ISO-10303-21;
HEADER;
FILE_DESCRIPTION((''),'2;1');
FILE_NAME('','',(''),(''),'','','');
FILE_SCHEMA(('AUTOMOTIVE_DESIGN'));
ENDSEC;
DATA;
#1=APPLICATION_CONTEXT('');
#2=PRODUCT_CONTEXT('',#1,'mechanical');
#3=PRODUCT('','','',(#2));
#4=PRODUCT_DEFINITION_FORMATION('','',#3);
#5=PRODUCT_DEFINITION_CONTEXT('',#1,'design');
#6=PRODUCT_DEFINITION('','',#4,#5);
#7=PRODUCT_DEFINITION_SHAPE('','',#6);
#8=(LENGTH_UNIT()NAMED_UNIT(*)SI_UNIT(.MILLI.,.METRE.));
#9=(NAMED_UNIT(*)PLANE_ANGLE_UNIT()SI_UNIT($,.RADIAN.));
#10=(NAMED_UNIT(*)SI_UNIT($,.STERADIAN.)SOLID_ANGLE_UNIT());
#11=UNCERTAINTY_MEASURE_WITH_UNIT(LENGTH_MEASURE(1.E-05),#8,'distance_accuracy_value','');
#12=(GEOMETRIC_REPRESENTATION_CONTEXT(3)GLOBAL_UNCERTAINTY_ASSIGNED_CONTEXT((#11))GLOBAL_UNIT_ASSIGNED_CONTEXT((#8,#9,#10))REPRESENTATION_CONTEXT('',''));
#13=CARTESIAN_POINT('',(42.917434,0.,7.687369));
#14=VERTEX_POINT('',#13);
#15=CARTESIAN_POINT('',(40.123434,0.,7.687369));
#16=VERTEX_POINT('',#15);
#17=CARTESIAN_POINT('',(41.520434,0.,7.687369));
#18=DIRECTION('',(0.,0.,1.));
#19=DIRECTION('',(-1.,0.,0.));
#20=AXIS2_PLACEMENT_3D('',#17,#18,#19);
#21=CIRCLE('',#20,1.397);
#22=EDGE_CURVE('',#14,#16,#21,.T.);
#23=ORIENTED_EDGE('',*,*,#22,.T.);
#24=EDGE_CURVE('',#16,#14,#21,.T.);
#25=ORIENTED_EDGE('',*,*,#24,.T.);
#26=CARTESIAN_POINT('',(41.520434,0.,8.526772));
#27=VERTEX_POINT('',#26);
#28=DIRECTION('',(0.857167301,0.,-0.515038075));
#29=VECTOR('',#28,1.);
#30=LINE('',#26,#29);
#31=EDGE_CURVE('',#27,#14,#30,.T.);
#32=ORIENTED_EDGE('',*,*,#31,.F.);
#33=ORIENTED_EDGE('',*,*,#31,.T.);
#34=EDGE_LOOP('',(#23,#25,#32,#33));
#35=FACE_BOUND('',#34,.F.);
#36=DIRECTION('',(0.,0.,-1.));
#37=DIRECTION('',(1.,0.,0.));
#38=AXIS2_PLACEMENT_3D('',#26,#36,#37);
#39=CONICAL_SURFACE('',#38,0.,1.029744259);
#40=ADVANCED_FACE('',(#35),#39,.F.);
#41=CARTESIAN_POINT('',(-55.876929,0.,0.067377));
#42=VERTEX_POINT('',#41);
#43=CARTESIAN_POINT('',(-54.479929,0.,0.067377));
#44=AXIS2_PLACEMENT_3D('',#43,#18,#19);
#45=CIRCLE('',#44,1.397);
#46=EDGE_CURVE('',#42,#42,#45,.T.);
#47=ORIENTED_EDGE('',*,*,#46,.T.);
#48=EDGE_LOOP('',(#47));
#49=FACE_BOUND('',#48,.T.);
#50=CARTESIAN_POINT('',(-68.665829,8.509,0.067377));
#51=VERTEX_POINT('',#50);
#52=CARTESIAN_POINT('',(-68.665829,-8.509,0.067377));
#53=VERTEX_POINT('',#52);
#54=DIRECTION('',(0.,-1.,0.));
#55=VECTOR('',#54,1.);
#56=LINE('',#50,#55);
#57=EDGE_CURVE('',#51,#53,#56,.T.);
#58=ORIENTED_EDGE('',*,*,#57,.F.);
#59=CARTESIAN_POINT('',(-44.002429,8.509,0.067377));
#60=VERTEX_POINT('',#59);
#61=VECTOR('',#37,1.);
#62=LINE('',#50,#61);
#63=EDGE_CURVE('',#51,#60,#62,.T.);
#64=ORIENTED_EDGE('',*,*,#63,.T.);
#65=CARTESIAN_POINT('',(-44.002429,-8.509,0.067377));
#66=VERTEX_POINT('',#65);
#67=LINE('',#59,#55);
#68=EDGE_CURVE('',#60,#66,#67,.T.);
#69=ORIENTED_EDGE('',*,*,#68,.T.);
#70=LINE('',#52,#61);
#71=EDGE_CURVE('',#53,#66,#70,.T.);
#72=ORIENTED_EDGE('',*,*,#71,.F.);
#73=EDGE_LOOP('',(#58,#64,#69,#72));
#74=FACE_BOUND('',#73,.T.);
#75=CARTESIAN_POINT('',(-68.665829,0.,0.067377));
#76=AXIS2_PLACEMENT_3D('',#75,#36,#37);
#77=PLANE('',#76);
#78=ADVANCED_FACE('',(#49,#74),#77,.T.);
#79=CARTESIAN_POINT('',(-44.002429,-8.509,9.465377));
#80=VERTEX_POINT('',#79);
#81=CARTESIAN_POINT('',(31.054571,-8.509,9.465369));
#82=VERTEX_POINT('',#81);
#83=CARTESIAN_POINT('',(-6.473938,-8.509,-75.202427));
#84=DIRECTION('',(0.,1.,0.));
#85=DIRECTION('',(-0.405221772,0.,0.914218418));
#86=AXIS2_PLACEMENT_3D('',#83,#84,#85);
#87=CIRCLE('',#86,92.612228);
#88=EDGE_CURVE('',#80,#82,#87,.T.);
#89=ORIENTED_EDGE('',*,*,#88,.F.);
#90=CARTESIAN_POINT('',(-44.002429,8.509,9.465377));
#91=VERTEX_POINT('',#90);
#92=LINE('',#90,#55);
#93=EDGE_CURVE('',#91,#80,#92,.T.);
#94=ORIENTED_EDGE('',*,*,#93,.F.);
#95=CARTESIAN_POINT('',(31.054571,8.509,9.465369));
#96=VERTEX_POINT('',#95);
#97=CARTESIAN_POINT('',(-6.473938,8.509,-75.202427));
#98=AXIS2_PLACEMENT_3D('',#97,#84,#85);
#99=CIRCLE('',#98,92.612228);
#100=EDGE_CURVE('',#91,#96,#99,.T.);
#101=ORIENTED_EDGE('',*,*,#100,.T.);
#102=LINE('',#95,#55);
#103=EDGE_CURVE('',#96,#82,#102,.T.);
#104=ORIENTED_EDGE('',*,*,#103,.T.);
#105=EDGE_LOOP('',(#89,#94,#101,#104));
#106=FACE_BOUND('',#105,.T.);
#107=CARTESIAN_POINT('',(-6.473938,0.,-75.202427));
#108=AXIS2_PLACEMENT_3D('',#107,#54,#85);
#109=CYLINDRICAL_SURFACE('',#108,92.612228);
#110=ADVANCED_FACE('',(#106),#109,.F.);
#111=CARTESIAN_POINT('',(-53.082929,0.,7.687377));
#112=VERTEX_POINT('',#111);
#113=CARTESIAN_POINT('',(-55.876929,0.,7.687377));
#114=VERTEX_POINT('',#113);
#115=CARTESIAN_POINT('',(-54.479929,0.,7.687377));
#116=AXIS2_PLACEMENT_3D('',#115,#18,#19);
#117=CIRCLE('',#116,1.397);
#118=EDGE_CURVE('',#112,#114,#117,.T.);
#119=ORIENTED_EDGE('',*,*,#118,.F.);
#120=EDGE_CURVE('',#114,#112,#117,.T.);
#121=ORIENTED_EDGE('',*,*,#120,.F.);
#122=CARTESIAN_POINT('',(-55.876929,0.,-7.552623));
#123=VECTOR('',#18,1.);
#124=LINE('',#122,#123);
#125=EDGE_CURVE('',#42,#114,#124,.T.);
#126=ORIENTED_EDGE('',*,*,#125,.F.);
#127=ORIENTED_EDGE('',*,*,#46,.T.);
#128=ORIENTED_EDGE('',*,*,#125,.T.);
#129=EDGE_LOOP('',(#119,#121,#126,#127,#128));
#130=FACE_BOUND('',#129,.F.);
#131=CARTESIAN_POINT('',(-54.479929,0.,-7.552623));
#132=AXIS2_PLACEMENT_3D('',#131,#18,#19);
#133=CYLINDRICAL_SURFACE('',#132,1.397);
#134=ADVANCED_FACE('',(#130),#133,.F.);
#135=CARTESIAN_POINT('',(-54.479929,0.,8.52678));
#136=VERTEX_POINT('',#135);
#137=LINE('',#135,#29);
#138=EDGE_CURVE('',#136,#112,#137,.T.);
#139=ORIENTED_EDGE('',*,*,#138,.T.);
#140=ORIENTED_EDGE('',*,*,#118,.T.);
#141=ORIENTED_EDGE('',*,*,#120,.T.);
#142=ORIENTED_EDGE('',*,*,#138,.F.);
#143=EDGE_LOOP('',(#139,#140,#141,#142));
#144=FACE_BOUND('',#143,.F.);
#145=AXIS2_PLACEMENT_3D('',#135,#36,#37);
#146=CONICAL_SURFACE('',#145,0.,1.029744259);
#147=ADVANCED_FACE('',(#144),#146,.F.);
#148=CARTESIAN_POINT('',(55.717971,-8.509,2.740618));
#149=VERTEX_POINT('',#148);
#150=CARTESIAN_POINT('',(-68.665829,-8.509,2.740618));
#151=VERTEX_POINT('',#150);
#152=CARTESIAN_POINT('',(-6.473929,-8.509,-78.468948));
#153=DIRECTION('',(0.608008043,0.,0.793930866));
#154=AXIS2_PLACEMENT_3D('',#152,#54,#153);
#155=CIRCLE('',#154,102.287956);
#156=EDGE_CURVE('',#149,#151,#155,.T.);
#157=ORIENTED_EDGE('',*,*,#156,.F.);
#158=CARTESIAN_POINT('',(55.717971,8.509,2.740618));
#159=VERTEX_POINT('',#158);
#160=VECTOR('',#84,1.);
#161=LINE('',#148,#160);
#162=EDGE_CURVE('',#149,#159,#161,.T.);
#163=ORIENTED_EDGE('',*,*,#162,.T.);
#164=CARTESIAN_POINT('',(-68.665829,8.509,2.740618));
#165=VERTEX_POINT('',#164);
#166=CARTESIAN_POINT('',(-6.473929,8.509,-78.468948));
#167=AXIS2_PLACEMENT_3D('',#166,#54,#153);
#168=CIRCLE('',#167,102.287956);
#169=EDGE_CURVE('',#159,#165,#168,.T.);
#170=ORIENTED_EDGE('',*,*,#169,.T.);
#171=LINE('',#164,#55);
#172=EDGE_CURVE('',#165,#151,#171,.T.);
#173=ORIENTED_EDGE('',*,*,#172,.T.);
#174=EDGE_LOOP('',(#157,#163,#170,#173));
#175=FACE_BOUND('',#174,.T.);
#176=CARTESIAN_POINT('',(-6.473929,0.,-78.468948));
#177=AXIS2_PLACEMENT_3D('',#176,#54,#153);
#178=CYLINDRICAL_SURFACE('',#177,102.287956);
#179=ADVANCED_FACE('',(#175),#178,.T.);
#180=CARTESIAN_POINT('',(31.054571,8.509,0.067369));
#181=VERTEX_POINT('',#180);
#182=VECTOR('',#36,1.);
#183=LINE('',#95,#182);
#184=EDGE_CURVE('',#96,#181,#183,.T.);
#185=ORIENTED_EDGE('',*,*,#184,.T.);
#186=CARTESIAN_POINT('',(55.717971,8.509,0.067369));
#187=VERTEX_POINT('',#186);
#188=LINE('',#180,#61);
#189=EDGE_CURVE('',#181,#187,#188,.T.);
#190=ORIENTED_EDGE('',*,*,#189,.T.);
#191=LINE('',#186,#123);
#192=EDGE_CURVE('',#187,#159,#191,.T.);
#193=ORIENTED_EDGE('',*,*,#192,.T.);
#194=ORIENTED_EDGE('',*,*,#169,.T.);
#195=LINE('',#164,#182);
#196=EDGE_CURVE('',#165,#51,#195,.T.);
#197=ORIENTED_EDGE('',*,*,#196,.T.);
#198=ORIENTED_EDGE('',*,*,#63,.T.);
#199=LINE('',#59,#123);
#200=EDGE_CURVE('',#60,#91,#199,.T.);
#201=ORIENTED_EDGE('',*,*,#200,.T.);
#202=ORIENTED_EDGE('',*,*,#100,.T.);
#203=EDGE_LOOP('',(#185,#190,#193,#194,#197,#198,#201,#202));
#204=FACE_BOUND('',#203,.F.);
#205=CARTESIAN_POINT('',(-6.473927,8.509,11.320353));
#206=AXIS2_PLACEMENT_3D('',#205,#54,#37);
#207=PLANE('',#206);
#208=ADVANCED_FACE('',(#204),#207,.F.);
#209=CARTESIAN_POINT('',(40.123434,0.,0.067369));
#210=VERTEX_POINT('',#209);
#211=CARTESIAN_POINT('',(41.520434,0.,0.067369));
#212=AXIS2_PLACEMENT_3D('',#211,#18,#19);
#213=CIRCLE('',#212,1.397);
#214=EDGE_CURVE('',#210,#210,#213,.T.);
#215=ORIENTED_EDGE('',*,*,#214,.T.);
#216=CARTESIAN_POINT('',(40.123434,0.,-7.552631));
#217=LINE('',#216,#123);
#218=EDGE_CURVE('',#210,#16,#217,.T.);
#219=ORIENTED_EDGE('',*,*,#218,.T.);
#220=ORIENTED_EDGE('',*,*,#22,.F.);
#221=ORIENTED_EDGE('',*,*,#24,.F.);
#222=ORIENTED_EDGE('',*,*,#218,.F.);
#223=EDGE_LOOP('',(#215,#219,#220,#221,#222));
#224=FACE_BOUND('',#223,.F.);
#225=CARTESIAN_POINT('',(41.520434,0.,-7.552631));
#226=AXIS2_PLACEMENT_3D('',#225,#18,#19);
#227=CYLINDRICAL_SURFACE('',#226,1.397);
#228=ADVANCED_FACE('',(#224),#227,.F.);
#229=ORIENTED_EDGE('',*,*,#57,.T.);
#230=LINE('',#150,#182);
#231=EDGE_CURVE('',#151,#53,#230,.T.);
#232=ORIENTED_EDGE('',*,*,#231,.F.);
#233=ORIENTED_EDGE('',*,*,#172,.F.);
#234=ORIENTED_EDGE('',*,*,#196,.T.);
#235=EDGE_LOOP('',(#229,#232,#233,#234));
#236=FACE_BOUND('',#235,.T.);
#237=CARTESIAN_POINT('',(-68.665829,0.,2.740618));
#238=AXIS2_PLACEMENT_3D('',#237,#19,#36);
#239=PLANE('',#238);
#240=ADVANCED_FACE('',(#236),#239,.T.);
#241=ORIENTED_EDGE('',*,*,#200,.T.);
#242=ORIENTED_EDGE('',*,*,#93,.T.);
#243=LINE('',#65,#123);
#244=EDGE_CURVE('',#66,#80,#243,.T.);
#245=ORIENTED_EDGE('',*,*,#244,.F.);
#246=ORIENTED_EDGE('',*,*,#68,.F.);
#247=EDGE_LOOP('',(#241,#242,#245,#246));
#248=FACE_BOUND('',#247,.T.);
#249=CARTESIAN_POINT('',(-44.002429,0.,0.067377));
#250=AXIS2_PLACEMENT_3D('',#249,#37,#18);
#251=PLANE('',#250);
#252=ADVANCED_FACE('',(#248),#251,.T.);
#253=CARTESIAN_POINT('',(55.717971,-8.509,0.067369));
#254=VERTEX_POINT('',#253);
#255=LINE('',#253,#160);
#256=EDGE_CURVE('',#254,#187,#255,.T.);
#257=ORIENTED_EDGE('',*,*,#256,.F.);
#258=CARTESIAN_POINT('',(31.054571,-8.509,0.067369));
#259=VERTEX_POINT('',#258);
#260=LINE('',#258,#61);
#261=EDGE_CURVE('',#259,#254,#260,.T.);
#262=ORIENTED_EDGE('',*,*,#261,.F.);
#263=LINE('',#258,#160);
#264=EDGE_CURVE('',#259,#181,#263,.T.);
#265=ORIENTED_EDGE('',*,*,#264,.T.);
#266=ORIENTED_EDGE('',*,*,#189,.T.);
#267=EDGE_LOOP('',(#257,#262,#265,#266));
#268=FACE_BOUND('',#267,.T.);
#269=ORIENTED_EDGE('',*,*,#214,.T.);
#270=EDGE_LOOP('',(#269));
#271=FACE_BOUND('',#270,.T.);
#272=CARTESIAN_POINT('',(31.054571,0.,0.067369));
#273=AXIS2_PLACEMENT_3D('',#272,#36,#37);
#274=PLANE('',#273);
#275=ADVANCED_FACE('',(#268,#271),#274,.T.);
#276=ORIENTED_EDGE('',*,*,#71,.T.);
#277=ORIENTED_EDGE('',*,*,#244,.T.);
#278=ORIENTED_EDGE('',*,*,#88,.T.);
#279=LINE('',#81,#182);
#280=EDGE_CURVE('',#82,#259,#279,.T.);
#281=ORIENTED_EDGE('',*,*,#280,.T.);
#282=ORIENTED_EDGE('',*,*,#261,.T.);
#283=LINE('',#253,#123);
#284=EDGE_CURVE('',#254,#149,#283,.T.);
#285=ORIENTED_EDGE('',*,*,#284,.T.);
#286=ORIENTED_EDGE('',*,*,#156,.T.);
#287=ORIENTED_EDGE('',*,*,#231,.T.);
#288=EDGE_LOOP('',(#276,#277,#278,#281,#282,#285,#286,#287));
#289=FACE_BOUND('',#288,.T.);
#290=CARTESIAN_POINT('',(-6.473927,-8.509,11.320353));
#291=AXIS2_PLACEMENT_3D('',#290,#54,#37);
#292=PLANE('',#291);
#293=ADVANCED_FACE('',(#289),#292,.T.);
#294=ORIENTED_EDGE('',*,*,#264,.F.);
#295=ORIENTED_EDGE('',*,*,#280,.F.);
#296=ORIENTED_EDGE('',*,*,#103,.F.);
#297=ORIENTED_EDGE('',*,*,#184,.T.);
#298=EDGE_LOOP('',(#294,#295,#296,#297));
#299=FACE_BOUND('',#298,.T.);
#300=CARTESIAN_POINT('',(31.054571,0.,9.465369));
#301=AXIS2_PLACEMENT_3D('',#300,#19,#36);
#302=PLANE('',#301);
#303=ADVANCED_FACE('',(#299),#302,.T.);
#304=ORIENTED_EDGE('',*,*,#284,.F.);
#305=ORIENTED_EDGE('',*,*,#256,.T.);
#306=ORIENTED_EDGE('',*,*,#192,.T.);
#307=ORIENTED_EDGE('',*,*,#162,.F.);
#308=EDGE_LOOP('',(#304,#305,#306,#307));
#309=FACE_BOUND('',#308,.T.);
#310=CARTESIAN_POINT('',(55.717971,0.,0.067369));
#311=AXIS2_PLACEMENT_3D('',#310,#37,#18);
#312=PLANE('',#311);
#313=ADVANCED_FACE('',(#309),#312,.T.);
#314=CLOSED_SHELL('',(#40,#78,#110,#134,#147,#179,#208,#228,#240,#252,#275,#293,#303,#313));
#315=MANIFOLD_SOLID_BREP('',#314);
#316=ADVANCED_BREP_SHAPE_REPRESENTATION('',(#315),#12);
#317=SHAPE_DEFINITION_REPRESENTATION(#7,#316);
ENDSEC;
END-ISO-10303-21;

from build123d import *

# Parameters (mm, degrees)
F2_DEPTH   = 8.509
F4_D       = 2.794
F4_DEPTH   = 7.62
F4_START   = 0.0673694
F4_START_2 = 0.0673774
F4_TIP     = 0.8394022848


with BuildPart() as f2:
    # F0 (on Front) → F2 (new body, symmetric)
    with BuildSketch(Plane.XZ):
        with BuildLine():
            ThreePointArc((55.7179713222, -8.0797821716), (-6.4739286778, 12.9986083689), (-68.6658286778, -8.0797821716))
            Line((-68.6658286778, -8.0797821716), (-68.6658286778, -10.7530225501))
            Line((-68.6658286778, -10.7530225501), (-44.0024286778, -10.7530225501))
            Line((-44.0024286778, -10.7530225501), (-44.0024286778, -1.3550225501))
            ThreePointArc((-44.0024286778, -1.3550225501), (-6.4739278287, 6.5894008462), (31.0545713222, -1.3550305716))
            Line((31.0545713222, -1.3550305716), (31.0545713222, -10.7530305716))
            Line((31.0545713222, -10.7530305716), (55.7179713222, -10.7530305716))
            Line((55.7179713222, -10.7530305716), (55.7179713222, -8.0797821716))
        make_face()
    extrude(amount=F2_DEPTH, both=True)


with BuildPart() as f2_1:
    # F3: moved
    add(f2.part.moved(Location((0, 0, 10.8204))))

    # F4
    # its depths count from where the whole tool has entered the part; down to there all is cleared
    with Locations(Plane(origin=(0, 0, 0), x_dir=(1, 0, 0), z_dir=(0, 0, -1))):
        with Locations((-54.4799286778, 0, -F4_START_2), (41.5204335099, 0, -F4_START)):
            Hole(F4_D / 2, depth=F4_DEPTH)
            with Locations((0, 0, -(F4_DEPTH + F4_TIP / 2))):  # 118° drill point
                Cone(0, F4_D / 2, F4_TIP, mode=Mode.SUBTRACT)


solid = f2_1.part
